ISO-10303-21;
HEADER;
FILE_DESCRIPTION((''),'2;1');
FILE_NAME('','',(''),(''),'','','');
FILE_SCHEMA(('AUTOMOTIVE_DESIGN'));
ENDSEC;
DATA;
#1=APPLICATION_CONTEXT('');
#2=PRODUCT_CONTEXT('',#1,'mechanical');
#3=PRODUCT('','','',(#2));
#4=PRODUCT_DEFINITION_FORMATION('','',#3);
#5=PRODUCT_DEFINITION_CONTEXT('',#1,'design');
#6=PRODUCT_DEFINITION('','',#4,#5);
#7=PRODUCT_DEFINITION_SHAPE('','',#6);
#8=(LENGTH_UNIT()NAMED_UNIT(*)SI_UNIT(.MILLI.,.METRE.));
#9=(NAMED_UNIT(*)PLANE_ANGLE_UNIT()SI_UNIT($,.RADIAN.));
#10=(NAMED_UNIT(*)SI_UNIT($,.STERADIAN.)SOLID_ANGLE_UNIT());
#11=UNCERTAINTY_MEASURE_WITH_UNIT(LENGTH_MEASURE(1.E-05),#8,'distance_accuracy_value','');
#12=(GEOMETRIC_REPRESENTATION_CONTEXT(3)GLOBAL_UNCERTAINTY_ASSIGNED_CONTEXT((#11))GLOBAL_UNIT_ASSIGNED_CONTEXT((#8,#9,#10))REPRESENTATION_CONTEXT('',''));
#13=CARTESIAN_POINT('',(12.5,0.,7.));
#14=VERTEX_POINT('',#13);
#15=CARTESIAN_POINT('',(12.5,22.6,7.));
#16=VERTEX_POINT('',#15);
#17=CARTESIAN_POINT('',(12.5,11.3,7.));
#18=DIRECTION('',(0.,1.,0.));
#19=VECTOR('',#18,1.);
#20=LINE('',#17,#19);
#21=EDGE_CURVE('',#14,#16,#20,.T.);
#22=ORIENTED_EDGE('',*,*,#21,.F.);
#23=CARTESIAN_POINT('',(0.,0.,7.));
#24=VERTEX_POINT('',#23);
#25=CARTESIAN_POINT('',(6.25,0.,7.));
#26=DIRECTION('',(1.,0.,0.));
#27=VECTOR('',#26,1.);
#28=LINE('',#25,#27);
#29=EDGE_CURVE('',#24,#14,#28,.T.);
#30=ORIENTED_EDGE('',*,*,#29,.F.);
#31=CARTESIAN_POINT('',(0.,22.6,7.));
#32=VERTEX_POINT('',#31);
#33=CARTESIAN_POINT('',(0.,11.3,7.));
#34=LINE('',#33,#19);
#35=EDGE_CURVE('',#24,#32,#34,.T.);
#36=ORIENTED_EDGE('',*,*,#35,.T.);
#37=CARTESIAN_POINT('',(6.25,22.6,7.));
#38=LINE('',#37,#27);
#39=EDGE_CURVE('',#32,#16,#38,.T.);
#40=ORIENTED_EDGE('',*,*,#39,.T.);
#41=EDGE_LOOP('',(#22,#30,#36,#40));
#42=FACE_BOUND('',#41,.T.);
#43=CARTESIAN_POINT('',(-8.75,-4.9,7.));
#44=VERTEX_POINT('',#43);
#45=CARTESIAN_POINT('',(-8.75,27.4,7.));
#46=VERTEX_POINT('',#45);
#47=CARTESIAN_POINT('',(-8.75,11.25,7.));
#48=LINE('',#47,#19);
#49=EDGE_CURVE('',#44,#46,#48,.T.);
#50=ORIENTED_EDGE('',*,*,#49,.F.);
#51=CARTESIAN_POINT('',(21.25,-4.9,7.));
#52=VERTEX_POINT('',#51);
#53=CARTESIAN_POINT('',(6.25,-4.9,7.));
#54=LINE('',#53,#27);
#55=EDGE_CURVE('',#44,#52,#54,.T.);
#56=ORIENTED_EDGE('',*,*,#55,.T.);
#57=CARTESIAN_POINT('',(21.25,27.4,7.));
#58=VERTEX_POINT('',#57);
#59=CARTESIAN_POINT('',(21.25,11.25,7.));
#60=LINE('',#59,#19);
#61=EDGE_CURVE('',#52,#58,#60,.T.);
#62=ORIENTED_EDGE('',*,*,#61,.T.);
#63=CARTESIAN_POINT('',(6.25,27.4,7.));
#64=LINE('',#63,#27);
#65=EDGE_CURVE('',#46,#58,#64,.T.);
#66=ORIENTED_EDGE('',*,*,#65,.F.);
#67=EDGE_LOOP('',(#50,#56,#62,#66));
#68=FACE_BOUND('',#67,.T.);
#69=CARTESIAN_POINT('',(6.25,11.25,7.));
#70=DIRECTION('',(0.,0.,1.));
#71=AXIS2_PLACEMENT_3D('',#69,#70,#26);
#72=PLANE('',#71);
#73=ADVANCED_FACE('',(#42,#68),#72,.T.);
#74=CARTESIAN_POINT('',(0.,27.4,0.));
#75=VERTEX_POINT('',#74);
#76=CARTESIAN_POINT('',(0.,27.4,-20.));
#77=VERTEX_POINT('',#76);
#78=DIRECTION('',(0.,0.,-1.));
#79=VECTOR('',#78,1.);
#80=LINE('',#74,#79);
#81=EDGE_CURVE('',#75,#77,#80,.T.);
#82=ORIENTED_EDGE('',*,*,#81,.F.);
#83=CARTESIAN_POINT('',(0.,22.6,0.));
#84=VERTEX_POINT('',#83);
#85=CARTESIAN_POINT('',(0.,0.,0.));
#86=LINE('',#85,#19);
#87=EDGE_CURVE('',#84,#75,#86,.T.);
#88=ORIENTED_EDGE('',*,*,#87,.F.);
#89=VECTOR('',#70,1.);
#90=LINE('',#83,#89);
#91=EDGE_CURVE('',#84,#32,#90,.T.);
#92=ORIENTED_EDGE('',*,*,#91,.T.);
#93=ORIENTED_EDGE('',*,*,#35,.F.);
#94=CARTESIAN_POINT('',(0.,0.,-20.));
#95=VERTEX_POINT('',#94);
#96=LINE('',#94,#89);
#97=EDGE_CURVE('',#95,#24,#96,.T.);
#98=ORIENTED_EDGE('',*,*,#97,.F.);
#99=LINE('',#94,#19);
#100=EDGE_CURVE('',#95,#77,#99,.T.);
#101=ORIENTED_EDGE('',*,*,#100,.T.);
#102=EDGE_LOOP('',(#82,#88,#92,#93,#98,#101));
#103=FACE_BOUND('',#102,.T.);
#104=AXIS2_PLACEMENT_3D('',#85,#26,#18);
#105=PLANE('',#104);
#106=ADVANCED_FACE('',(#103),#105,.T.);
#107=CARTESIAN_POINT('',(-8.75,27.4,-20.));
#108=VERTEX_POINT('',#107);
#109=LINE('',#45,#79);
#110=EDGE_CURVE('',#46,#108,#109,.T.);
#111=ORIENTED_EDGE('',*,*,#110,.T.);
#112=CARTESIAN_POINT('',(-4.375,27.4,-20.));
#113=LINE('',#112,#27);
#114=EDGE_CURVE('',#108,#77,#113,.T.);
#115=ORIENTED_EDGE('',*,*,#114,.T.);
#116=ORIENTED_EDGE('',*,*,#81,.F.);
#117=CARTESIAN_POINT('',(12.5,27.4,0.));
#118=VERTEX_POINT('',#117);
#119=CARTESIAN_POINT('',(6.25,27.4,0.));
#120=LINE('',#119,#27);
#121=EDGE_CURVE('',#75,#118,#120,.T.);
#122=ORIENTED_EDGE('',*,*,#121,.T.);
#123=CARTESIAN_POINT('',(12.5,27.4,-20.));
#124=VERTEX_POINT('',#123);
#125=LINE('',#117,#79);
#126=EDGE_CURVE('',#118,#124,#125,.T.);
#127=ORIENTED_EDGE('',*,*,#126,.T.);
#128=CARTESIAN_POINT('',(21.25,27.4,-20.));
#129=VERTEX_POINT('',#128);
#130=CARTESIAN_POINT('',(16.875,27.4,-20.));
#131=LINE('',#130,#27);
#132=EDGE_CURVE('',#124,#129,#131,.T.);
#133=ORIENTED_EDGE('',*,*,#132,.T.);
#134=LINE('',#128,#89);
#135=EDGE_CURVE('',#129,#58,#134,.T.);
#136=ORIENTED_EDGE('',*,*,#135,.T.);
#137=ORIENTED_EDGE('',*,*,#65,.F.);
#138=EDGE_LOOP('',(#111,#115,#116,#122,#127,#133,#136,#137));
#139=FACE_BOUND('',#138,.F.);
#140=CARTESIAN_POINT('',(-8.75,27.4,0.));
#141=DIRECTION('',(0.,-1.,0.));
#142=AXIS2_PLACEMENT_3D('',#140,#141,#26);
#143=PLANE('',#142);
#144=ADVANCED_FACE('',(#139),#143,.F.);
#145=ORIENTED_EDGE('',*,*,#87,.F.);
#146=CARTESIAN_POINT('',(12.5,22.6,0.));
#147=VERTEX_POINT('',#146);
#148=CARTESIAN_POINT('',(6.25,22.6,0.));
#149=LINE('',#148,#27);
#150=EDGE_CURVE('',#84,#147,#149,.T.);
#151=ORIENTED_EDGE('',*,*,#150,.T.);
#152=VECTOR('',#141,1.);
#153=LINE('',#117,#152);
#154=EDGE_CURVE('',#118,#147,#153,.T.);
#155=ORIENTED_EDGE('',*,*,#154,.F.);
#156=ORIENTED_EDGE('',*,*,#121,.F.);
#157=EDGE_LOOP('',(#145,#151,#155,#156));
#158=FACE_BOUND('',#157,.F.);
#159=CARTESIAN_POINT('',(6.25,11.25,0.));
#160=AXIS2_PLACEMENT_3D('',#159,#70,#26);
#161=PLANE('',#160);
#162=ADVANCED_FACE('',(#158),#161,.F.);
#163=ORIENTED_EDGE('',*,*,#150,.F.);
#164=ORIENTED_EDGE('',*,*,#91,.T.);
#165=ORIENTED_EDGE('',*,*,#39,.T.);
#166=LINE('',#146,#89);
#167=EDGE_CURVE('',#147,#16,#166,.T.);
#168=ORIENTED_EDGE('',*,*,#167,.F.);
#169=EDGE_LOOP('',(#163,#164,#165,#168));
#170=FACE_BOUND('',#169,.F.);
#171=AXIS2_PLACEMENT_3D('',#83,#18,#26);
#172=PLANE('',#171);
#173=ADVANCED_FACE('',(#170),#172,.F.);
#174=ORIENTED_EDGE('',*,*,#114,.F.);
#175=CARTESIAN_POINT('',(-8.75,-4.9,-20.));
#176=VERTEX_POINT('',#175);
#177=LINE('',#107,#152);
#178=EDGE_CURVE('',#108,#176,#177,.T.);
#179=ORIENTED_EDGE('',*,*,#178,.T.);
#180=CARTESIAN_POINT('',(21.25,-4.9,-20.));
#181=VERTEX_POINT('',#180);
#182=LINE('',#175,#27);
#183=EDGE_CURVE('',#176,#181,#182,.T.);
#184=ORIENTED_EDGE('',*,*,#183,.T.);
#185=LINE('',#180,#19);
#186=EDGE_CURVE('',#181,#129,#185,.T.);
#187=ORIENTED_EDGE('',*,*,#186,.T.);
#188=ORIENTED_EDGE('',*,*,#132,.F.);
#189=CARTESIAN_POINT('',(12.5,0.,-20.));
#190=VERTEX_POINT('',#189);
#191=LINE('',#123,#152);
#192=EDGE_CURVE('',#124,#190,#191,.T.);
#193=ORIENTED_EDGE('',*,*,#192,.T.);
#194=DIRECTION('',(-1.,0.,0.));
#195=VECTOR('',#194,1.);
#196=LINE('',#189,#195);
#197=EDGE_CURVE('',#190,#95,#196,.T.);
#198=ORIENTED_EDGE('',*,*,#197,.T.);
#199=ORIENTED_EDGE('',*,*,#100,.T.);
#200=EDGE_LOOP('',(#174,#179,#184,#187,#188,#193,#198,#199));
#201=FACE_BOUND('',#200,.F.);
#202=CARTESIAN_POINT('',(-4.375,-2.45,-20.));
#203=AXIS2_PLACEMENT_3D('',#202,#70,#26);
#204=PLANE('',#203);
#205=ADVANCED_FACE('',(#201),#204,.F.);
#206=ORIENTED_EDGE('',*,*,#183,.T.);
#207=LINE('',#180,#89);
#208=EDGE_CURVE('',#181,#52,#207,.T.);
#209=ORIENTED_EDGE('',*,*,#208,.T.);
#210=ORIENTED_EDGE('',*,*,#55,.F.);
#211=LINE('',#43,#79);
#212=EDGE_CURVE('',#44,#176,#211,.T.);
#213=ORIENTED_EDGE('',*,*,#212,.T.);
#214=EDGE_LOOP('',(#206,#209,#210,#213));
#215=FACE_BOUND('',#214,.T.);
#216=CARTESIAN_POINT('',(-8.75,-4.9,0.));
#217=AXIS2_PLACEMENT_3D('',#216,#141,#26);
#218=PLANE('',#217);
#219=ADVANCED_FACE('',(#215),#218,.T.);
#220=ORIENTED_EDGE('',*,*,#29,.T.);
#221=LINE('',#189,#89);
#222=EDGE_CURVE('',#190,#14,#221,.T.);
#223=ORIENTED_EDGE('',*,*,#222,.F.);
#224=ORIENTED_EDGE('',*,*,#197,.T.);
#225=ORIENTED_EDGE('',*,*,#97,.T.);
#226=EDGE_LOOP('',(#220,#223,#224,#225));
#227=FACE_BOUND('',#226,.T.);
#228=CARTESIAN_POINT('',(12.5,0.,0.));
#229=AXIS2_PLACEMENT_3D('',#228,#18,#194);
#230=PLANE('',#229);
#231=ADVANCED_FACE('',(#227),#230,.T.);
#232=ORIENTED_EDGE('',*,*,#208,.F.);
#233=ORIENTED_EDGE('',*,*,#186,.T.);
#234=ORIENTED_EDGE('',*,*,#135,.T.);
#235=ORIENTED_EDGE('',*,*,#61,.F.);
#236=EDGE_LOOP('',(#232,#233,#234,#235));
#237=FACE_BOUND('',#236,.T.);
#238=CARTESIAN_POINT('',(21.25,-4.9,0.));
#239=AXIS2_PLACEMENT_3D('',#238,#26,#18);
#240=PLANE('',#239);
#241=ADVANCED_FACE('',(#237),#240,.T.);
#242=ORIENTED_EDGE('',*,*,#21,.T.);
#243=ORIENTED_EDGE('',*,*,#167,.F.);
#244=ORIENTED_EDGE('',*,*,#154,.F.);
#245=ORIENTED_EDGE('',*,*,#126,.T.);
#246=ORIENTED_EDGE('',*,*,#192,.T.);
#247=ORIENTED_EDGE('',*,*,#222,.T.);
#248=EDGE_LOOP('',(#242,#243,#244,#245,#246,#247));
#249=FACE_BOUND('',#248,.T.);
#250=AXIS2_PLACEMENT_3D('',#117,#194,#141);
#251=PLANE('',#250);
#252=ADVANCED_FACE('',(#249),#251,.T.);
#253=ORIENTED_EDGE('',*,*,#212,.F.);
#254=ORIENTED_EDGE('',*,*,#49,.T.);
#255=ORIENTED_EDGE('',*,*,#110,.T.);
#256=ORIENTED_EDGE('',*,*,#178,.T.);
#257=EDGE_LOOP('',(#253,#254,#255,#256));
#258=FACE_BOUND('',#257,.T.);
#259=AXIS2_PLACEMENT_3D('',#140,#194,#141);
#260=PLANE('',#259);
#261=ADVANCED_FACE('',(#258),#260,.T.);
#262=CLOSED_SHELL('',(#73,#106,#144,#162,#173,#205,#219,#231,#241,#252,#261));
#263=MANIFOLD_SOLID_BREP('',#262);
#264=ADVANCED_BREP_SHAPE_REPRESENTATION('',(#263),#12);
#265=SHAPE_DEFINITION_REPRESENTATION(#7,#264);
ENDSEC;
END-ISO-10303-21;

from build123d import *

# Parameters (mm, degrees)
F1_W     = 30
F1_H     = 32.3
F2_DEPTH = 7
F0_W     = 12.5
F0_H     = 22.6
F3_DEPTH = 7
F4_W     = 8.75
F4_H     = 4.9
F4_W_2   = 12.5
F4_H_2   = 22.6
F4_H_3   = 4.8
F5_DEPTH = 20


with BuildPart() as f2:
    # F1 (on Top) → F2 (new body)
    with BuildSketch(Plane.XY):
        with Locations((6.25, 11.25)):
            Rectangle(F1_W, F1_H)
    extrude(amount=F2_DEPTH)

    # F0 (on Top) → F3 (cut)
    with BuildSketch(Plane.XY):
        with Locations((6.25, 11.3)):
            Rectangle(F0_W, F0_H)
    extrude(amount=F3_DEPTH, mode=Mode.SUBTRACT)

    # F4 (on Top) → F5 (join)
    with BuildSketch(Plane.XY):
        with Locations((-4.375, -2.45)):
            Rectangle(F4_W, F4_H)
        with Locations((6.25, -2.45)):
            Rectangle(F4_W_2, F4_H)
        with Locations((-4.375, 11.3)):
            Rectangle(F4_W, F4_H_2)
        with Locations((-4.375, 25)):
            Rectangle(F4_W, F4_H_3)
        with Locations((16.875, 11.3)):
            Rectangle(F4_W, F4_H_2)
        with Locations((16.875, -2.45)):
            Rectangle(F4_W, F4_H)
        with Locations((16.875, 25)):
            Rectangle(F4_W, F4_H_3)
    extrude(amount=-F5_DEPTH)


solid = f2.part
